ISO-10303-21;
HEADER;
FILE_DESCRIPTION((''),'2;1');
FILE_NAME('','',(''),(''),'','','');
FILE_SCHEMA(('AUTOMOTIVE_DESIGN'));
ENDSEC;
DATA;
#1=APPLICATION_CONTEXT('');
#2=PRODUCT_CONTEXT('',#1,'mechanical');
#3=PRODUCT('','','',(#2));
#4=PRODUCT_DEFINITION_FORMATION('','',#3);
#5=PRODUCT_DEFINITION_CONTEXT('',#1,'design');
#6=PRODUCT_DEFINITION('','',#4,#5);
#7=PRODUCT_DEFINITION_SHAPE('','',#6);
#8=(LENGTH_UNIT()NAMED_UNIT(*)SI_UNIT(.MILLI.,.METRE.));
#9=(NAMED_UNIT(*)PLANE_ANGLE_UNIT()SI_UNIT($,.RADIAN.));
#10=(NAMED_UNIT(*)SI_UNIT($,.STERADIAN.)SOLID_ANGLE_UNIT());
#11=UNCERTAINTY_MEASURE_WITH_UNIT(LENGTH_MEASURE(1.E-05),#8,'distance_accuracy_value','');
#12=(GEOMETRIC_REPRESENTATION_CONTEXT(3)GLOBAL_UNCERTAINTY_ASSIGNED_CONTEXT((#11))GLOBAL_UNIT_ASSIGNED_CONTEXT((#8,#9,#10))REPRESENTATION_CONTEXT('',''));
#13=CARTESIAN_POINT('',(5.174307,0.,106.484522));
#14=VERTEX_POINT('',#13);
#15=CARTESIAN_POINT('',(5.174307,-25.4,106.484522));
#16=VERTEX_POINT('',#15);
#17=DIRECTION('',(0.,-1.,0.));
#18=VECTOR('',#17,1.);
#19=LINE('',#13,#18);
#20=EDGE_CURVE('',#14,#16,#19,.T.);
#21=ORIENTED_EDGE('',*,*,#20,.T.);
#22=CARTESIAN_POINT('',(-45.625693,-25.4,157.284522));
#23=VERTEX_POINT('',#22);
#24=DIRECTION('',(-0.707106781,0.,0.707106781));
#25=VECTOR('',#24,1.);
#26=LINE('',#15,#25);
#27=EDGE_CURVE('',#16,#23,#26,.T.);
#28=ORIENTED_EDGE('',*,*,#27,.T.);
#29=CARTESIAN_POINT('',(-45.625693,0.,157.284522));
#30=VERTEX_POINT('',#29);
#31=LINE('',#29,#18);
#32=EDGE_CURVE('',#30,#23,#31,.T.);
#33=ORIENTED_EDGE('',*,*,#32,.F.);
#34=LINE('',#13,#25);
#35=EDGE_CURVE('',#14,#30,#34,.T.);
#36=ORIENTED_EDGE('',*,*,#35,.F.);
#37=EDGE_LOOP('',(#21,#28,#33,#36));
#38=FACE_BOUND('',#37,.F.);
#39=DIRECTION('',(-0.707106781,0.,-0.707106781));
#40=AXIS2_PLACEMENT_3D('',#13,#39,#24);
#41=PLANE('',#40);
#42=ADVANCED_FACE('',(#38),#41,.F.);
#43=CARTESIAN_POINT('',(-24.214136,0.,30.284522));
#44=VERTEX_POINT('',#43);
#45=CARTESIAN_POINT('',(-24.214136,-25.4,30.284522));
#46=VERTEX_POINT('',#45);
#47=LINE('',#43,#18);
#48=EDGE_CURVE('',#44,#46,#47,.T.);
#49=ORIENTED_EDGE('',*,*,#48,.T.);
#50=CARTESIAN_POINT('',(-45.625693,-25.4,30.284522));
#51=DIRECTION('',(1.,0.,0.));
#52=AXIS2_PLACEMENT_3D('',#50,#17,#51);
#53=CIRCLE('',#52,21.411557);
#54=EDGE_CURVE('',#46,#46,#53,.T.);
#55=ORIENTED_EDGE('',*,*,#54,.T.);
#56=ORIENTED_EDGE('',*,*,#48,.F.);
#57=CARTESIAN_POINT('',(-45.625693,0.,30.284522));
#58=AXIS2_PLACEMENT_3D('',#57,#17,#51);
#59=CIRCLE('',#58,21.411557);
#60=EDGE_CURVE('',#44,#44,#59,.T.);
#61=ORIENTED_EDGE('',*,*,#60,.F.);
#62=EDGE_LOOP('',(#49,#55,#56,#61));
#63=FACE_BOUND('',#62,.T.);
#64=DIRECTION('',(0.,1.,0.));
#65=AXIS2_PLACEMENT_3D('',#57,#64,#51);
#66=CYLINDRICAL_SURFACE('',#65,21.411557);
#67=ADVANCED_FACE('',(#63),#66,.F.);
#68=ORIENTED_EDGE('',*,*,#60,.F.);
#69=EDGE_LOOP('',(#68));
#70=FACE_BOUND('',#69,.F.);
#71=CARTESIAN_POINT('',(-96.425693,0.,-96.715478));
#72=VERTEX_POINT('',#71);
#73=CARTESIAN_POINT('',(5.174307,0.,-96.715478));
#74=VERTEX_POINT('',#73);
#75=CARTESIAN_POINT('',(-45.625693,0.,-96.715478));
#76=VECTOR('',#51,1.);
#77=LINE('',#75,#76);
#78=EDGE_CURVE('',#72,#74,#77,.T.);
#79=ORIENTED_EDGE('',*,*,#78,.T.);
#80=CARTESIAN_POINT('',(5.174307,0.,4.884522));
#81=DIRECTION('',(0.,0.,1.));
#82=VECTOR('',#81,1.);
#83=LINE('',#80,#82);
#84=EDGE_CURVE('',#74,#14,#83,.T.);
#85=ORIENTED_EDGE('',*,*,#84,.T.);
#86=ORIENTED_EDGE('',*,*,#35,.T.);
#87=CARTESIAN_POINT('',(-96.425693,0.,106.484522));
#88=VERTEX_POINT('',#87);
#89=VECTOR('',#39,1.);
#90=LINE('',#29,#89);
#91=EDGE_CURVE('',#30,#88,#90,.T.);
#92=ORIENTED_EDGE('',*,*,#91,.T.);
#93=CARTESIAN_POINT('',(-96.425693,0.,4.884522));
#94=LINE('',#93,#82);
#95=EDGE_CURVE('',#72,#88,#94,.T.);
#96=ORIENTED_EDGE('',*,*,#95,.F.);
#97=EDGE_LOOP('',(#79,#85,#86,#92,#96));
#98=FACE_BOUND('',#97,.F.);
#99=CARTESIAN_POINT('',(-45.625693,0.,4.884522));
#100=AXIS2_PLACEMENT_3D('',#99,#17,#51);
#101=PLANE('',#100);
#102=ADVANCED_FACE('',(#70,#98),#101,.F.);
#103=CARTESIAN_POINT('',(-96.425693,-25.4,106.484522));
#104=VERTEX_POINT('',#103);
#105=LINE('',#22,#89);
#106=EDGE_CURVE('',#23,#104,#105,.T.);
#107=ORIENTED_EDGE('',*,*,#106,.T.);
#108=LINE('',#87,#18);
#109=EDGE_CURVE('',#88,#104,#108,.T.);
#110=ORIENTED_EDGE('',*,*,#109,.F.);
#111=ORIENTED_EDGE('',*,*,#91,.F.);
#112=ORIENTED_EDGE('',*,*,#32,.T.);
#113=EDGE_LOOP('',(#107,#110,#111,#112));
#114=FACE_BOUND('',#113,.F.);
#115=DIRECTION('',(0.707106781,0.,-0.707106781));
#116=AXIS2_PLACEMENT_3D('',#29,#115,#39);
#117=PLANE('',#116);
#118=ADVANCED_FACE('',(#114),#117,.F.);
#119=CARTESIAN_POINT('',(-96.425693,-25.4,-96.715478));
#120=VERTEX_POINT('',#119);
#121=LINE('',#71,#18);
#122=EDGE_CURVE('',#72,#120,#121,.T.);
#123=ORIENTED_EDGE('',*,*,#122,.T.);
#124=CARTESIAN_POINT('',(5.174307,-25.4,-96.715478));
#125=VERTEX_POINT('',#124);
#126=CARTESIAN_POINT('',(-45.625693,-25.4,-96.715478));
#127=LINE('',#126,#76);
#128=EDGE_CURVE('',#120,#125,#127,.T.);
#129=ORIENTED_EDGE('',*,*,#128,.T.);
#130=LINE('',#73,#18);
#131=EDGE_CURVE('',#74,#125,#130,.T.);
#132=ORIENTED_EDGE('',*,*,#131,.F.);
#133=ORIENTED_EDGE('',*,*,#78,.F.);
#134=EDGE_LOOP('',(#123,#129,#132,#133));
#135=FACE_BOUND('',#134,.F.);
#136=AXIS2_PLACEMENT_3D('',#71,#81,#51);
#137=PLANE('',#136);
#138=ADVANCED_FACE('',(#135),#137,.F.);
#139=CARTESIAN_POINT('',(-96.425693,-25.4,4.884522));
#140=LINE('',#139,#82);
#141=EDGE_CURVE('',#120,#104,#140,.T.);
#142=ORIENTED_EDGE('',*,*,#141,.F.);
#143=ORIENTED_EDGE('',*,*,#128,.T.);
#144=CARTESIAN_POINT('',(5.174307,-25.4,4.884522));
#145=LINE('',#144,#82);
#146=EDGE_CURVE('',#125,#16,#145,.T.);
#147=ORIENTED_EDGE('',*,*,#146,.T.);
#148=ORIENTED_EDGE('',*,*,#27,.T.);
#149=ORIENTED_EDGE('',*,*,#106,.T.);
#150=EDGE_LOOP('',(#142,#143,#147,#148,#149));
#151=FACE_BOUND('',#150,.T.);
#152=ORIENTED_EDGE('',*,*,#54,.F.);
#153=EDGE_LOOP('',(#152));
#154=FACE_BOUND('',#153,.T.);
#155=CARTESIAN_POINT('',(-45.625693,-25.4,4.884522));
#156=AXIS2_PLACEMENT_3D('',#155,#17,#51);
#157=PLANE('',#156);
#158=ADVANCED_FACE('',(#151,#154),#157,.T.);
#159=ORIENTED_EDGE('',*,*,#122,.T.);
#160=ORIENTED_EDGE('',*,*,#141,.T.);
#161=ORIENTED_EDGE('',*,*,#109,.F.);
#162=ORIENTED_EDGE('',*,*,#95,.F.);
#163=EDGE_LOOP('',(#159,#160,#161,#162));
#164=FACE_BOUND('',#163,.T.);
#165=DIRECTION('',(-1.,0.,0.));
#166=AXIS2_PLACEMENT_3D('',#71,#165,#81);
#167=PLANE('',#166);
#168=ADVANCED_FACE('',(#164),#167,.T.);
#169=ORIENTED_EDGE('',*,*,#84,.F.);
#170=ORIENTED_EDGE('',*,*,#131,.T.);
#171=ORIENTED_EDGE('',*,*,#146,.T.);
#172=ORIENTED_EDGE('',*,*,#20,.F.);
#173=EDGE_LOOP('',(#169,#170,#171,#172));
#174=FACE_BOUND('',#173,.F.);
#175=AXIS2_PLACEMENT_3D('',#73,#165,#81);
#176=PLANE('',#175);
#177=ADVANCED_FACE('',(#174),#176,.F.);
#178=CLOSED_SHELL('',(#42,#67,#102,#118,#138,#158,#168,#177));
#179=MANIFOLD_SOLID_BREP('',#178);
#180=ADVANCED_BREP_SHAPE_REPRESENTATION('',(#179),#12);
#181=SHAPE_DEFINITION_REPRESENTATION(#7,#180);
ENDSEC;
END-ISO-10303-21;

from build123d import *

# Parameters (mm, degrees)
F0_W     = 101.6
F0_H     = 203.2
F0_R     = 21.411557
F1_DEPTH = 25.4


with BuildPart() as f1:
    # F0 (on Front) → F1 (new body)
    with BuildSketch(Plane.XZ):
        with Locations((-45.625693, 4.884522)):
            Rectangle(F0_W, F0_H)
        with Locations((-45.625693, 30.284522)):
            Circle(F0_R, mode=Mode.SUBTRACT)
        Polygon((-45.625693, 157.284522), (-96.425693, 106.484522), (5.174307, 106.484522), align=None)
    extrude(amount=F1_DEPTH)


solid = f1.part
